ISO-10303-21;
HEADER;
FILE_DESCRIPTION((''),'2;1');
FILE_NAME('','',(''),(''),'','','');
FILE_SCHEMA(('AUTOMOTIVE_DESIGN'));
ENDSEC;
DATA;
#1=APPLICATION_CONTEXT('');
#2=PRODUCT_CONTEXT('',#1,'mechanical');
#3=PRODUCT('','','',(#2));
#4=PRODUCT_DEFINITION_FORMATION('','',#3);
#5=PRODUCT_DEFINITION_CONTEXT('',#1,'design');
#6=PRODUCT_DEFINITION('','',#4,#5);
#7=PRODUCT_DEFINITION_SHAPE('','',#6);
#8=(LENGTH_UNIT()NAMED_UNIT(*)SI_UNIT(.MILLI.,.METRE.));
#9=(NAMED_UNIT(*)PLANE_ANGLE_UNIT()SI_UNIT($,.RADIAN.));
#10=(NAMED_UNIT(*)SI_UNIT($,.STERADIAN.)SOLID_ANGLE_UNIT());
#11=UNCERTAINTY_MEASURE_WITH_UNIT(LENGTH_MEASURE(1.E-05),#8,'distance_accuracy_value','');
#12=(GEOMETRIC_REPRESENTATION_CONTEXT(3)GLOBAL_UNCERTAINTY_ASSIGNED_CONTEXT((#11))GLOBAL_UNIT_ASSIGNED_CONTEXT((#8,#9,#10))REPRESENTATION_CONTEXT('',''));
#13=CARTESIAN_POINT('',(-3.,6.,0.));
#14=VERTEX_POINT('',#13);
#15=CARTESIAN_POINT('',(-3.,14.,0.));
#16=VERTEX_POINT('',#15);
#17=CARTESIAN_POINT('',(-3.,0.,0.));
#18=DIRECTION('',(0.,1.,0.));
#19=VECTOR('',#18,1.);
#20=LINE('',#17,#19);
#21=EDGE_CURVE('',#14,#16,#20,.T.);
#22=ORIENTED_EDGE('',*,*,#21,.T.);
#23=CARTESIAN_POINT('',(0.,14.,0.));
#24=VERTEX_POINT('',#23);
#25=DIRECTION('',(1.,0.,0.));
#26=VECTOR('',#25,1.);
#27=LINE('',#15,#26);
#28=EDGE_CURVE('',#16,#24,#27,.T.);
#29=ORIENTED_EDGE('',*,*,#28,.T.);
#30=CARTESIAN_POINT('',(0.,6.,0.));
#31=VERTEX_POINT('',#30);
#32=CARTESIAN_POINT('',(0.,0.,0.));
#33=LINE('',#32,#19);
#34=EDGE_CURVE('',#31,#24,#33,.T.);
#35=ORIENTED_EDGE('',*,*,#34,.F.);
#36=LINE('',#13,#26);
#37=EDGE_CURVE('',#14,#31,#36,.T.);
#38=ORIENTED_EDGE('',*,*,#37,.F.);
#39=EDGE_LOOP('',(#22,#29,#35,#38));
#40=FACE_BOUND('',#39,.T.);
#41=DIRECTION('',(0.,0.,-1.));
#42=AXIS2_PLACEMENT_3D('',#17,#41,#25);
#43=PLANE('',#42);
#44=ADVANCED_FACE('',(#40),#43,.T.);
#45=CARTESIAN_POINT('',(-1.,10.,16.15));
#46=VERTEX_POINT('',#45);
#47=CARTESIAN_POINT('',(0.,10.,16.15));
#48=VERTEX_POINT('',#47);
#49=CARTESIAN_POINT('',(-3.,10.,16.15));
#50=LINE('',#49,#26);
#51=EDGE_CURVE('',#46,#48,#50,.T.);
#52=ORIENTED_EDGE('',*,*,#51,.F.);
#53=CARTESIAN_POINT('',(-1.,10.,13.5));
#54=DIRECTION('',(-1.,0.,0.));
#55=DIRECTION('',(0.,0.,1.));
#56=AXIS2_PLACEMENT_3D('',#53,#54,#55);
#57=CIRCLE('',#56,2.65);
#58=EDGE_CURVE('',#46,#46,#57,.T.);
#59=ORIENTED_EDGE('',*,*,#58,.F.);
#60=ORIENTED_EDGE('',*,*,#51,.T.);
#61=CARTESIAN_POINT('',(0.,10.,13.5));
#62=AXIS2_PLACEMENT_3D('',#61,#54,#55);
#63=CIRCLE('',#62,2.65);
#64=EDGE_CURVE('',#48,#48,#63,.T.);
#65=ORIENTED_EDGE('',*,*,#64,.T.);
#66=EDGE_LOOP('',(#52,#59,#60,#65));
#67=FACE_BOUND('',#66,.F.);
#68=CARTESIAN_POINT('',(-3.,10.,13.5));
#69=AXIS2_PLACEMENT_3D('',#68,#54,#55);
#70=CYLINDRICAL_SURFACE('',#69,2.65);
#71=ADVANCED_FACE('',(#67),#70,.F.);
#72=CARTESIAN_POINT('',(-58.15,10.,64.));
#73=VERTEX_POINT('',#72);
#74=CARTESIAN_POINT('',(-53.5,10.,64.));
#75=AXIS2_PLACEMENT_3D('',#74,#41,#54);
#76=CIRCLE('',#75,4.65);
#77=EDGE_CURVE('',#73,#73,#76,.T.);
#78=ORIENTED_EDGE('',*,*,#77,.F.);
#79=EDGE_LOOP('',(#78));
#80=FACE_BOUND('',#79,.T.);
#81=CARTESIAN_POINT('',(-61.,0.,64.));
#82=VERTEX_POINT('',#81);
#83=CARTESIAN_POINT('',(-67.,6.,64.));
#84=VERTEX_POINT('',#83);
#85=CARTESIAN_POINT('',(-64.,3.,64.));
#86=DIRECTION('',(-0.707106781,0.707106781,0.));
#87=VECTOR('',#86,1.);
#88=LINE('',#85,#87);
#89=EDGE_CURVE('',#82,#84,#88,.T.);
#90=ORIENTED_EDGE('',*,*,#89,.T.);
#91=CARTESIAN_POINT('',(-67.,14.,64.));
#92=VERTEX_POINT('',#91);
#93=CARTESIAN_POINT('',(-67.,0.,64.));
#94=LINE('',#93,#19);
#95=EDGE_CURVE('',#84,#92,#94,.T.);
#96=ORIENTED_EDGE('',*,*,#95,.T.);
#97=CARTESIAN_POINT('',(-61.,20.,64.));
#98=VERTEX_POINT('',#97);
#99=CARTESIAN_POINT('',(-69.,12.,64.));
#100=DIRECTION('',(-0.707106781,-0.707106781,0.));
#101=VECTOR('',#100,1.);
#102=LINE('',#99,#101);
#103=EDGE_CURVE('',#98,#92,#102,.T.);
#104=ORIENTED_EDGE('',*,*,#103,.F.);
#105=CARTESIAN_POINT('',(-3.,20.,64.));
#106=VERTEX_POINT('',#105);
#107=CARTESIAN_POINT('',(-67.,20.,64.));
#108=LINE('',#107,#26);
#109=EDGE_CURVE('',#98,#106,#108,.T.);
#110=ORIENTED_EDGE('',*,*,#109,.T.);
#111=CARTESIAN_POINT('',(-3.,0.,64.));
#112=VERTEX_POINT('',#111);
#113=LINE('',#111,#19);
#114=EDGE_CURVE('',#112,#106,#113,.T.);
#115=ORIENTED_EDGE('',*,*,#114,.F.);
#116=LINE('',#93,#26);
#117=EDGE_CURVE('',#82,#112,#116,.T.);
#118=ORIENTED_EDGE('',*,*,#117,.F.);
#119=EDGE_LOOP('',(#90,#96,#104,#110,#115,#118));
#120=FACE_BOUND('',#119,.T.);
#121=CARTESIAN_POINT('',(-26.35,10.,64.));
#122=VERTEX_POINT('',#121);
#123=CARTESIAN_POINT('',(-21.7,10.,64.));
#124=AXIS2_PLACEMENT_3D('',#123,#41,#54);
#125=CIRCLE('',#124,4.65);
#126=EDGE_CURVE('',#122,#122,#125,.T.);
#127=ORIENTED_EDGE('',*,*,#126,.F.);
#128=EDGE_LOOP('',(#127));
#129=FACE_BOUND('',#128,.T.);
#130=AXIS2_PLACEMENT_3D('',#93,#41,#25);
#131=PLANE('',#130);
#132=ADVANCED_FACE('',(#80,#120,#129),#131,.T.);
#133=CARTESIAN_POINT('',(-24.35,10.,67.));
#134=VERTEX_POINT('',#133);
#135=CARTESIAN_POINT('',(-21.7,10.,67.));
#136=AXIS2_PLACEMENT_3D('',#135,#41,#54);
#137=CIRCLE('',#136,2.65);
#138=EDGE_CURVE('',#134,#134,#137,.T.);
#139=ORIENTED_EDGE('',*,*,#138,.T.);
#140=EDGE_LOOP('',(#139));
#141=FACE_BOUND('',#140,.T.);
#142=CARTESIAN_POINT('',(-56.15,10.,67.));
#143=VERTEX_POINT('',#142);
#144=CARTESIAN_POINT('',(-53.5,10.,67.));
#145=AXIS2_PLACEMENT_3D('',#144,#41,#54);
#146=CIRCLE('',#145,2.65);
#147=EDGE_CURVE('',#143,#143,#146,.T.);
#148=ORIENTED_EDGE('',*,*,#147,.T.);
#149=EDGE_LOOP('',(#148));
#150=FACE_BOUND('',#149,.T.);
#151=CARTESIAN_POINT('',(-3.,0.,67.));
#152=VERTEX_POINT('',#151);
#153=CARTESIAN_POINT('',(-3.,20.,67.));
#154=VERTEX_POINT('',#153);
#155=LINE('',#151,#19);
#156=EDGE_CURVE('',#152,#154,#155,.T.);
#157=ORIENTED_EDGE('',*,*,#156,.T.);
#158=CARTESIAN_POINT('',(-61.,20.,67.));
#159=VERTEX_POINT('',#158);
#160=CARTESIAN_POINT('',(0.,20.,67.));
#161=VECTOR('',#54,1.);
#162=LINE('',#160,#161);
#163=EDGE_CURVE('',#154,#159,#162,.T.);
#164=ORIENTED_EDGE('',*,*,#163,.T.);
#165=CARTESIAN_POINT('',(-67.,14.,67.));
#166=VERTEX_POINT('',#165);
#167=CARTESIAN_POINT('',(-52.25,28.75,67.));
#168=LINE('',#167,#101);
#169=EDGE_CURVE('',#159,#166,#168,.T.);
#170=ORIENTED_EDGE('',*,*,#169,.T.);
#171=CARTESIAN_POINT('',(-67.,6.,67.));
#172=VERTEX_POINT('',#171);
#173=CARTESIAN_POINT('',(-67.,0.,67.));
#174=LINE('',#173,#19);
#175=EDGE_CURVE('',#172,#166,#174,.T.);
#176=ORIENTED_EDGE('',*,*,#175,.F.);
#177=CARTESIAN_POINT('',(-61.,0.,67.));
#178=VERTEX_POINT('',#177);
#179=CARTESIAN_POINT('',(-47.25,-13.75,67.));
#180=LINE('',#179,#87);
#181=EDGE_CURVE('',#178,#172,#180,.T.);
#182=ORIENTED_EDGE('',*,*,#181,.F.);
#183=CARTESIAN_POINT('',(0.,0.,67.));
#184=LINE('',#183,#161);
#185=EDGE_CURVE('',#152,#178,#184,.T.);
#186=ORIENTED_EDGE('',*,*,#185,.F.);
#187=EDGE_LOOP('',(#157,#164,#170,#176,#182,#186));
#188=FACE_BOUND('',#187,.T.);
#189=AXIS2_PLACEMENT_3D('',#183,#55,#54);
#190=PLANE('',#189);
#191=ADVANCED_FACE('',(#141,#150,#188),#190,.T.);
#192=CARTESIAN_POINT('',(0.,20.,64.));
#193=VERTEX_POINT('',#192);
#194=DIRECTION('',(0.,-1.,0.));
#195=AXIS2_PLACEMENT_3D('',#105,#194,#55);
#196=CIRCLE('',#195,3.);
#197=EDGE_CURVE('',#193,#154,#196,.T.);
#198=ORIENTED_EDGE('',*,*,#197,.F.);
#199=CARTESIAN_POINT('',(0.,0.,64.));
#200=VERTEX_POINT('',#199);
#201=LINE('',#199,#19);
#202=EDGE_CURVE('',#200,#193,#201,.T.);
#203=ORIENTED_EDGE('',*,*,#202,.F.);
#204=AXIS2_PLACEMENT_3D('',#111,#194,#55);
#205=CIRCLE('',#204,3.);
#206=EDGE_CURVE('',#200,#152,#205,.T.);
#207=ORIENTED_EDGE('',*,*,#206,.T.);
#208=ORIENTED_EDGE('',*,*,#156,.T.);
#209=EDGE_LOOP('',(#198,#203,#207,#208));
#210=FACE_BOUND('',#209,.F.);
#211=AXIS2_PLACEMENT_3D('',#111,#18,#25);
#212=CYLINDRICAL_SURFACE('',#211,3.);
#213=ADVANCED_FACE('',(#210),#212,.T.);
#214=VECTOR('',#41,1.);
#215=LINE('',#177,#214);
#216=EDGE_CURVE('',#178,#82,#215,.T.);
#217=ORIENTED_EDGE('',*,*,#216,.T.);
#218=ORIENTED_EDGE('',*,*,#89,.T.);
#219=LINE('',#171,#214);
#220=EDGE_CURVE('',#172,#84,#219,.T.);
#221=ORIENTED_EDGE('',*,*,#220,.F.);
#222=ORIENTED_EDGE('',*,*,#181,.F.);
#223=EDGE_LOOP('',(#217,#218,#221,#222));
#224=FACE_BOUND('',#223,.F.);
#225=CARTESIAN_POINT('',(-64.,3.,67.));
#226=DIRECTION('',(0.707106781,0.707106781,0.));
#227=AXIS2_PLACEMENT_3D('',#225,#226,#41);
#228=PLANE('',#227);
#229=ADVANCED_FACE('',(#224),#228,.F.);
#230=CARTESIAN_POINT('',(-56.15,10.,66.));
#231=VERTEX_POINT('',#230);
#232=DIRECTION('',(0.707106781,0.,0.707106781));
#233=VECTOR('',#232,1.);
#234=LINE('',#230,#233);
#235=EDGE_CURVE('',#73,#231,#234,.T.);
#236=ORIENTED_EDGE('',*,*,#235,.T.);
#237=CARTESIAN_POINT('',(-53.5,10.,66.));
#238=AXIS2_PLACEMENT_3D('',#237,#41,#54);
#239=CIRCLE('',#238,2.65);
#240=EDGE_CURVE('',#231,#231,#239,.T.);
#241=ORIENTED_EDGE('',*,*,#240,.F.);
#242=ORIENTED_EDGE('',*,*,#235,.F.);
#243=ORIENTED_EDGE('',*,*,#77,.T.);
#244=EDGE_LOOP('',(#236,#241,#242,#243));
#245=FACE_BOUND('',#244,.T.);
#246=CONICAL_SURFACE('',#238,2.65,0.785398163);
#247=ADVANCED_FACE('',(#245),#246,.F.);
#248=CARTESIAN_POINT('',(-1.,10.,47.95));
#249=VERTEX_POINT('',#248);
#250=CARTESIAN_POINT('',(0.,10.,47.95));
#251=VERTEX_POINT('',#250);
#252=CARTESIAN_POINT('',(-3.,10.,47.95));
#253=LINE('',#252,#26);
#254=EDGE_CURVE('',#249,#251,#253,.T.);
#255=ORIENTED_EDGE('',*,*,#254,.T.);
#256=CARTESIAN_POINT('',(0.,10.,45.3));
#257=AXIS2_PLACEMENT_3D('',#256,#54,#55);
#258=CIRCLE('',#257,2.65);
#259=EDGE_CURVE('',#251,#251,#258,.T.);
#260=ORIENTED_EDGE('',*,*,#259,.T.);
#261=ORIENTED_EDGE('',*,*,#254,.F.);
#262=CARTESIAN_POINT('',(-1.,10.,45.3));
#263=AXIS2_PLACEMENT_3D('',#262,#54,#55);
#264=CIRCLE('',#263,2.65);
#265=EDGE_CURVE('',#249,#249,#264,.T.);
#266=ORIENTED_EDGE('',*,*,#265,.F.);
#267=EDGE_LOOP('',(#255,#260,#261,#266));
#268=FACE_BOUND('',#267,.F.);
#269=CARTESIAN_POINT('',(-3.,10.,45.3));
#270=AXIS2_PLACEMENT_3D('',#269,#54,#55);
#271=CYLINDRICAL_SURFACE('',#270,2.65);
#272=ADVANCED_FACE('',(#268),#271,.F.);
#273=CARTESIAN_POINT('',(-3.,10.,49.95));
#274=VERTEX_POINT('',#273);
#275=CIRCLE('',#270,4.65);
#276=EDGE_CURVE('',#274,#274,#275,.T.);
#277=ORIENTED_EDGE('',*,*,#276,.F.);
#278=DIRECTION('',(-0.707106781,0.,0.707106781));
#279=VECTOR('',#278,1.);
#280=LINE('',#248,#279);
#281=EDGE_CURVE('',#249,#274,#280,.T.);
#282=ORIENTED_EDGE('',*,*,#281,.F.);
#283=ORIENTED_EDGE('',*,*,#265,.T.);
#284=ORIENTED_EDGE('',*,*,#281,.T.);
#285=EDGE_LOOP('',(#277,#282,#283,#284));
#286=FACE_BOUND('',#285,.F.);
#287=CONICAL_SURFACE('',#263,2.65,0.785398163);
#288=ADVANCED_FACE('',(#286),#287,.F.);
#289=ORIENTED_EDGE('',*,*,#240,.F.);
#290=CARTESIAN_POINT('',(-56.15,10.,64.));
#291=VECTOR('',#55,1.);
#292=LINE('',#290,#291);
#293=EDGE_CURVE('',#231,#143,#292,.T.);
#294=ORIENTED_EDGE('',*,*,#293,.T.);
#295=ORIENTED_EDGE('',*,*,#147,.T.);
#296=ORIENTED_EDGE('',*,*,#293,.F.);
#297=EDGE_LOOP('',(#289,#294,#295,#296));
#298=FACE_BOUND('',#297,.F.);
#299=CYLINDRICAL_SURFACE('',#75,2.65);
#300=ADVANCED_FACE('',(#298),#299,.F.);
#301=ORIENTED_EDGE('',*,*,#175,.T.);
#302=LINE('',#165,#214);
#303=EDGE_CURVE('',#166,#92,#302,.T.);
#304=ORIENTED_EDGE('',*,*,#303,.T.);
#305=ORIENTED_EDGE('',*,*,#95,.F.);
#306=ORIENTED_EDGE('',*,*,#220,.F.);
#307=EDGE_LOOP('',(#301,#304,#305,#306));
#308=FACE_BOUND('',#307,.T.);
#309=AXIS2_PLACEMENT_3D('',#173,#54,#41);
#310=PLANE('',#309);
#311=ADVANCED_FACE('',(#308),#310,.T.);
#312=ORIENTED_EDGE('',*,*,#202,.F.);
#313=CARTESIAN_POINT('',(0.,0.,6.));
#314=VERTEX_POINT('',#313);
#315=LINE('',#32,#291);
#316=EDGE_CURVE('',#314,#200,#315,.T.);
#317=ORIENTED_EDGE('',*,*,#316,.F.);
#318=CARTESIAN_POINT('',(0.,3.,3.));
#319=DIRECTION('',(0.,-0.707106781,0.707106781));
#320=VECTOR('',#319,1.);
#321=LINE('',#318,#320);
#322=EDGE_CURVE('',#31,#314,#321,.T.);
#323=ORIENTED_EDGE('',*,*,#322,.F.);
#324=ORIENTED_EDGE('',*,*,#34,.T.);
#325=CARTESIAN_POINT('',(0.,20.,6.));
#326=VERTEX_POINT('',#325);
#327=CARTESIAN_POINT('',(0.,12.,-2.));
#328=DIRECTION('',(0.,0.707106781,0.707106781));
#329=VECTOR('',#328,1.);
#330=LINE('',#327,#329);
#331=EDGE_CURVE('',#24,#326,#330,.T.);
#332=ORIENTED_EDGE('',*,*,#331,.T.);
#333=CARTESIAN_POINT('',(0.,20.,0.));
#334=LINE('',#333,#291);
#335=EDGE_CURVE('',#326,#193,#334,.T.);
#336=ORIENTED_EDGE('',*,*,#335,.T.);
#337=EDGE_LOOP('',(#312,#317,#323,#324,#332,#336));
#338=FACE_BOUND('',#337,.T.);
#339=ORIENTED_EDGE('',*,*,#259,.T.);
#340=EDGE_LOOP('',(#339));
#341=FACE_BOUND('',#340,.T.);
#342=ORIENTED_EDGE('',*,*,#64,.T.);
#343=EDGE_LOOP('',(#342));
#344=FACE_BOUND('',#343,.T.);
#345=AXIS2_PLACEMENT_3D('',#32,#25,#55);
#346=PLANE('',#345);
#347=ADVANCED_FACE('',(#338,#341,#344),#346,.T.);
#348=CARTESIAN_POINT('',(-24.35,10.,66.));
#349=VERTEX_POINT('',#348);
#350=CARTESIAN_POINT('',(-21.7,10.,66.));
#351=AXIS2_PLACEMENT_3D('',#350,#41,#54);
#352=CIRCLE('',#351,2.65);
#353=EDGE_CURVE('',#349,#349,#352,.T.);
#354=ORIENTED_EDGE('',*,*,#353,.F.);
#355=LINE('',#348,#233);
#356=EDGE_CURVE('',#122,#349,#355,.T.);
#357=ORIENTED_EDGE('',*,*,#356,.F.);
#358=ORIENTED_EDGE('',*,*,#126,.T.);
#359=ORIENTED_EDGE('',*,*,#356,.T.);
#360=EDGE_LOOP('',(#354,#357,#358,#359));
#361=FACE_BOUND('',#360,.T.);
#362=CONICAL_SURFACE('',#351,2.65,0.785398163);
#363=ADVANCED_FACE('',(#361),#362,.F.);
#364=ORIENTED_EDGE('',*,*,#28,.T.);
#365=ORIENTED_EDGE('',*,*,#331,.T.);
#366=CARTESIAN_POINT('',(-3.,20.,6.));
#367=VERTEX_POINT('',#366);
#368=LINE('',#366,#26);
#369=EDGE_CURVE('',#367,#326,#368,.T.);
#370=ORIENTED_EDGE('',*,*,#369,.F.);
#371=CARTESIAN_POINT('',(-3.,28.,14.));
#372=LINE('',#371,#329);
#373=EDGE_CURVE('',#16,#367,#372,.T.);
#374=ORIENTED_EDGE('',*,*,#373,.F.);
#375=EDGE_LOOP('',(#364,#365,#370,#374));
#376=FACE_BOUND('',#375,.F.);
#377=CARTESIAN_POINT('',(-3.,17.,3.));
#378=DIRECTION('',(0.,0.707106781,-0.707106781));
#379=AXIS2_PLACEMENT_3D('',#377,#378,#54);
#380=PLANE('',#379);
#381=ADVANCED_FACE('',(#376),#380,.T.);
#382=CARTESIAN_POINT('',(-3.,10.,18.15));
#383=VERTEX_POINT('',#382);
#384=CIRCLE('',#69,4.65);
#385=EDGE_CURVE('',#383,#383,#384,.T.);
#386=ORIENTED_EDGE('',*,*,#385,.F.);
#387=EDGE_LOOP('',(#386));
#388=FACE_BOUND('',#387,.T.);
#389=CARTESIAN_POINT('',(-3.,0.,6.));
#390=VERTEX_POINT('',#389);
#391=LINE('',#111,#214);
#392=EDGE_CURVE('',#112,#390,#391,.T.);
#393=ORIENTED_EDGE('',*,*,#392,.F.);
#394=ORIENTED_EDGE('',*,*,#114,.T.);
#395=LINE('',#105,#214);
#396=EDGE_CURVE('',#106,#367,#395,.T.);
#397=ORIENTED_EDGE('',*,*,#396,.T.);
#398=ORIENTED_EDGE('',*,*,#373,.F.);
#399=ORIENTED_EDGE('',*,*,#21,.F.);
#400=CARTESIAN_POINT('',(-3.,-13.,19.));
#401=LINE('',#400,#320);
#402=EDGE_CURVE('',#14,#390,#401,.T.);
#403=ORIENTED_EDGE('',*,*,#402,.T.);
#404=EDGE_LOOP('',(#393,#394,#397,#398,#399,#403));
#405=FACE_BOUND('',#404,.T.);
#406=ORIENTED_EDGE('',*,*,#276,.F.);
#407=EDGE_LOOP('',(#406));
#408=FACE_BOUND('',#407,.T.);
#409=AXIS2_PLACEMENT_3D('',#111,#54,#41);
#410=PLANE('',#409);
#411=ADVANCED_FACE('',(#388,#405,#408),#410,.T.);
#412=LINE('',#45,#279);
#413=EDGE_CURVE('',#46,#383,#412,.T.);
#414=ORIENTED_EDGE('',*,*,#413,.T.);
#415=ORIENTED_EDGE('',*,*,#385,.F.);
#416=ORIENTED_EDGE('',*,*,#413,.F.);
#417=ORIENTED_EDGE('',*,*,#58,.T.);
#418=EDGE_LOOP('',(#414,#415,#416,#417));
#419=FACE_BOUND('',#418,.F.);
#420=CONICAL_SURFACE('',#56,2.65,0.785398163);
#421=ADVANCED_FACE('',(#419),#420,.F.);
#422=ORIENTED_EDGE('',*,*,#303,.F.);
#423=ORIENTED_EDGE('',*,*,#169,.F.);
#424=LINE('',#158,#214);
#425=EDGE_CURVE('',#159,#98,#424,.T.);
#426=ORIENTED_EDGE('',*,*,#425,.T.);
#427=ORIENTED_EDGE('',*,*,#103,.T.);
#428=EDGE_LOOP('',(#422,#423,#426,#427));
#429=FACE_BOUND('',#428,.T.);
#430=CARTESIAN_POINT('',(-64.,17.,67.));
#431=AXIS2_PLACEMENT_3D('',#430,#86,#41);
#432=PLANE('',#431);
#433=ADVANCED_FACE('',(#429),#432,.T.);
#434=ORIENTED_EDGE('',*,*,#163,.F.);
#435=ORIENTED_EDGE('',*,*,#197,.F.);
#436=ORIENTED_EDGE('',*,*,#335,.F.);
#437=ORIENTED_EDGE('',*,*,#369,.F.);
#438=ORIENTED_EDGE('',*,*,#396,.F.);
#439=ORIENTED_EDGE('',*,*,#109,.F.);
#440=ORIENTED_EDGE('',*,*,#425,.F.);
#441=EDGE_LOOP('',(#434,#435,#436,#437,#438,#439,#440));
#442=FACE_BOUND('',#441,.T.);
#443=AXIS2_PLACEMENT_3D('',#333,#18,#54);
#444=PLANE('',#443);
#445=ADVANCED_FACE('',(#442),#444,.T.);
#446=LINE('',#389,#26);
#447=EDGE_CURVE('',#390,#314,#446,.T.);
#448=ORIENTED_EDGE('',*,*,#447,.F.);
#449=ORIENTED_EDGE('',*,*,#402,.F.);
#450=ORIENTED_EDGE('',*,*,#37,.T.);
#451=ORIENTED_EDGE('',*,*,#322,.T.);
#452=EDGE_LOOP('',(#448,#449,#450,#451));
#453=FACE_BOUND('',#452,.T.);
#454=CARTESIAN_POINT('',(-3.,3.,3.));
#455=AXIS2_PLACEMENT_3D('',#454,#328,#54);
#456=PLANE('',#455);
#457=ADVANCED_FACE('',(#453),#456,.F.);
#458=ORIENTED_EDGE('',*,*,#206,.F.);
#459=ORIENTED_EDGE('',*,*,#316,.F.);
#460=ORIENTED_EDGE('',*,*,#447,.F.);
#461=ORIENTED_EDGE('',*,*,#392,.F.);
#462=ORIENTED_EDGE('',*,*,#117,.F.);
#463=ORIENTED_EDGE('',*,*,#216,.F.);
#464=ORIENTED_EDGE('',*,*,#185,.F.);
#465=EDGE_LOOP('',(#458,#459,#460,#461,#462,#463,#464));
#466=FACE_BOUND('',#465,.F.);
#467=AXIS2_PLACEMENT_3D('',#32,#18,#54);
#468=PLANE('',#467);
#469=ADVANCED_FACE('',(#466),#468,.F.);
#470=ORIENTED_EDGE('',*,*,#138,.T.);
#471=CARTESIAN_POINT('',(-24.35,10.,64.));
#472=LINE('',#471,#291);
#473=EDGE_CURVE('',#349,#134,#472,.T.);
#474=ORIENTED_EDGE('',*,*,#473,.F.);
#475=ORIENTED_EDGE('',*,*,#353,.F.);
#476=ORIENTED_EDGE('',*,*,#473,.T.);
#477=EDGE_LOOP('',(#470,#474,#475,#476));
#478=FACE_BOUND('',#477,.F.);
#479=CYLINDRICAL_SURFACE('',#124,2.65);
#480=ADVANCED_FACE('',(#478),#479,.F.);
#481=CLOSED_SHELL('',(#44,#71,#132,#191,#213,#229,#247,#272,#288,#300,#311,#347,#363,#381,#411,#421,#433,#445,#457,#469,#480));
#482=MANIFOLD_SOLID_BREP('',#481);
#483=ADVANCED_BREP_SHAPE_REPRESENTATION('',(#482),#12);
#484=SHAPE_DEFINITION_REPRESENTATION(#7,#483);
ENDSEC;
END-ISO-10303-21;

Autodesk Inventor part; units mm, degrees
ref_plane "YZ Plane" through (0, 0, 0) normal (1, 0, 0) x (0, 1, 0)
ref_plane "XZ Plane" through (0, 0, 0) normal (0, 1, 0) x (-1, 0, 0)
ref_plane "XY Plane" through (0, 0, 0) normal (0, 0, 1) x (1, 0, 0)
sketch "Sketch1" plane through (0, 0, 0) normal (0, 1, 0) x (-1, 0, 0)
  line L0 (0, 0) -> (0, 67)
  line L1 (0, 67) -> (67, 67)
  line L2 (67, 64) -> (3, 64)
  line L3 (3, 64) -> (3, 0)
  line L4 (67, 67) -> (67, 64)
  line L5 (3, 0) -> (0, 0)
  dimension "d0" = 67
  dimension "d1" = 67
  dimension "d2" = 3
extrude "Extrusion1" add sketch "Sketch1" along normal blind 20
sketch "Sketch2" plane through (-3, 0, 64) normal (0, 0, -1) x (-1, 0, 0)
  line L0 (64, 0) -> (64, 20) construction
  line L1 (64, 10) -> (0, 10) construction
  line L2 (0, 0) -> (0, 20) construction
  circle A0 centre (50.5, 10) radius 2.65
  circle A1 centre (18.7, 10) radius 2.65
  point P0 (-3, 0)
  dimension "d5" = 5.3
  dimension "d6" = 5.3
  dimension "d7" = 13.5
  dimension "d8" = 31.8
extrude "Extrusion2" cut sketch "Sketch2" against normal up to next
sketch "Sketch3" plane through (-3, 0, 0) normal (-1, 0, 0) x (0, 0, 1)
  line L0 (0, 0) -> (0, 20) construction
  line L1 (0, 10) -> (64, 10) construction
  line L2 (64, 0) -> (64, 20) construction
  circle A0 centre (13.5, 10) radius 2.65
  circle A1 centre (45.3, 10) radius 2.65
  dimension "d11" = 5.3
  dimension "d12" = 5.3
  dimension "d13" = 13.5
  dimension "d14" = 31.8
extrude "Extrusion3" cut sketch "Sketch3" against normal up to next
chamfer "Chamfer1" distance 2 angle 45 4 edges at (-50.85, 10, 64) (-19.05, 10, 64) (-3, 10, 42.65) (-3, 10, 10.85)
chamfer "Chamfer2" distance 6 angle 45 4 edges at (-67, 0, 65.5) (-67, 20, 65.5) (-1.5, 0, 0) (-1.5, 20, 0)
fillet "Fillet1" radius 3 1 edges at (0, 10, 67)
equation "\"d1\" = d0"
equation "\"d6\" = d5"
equation "\"d12\" = d11"
properties part number "90 deg Shelf 4 Hole Bracket"
